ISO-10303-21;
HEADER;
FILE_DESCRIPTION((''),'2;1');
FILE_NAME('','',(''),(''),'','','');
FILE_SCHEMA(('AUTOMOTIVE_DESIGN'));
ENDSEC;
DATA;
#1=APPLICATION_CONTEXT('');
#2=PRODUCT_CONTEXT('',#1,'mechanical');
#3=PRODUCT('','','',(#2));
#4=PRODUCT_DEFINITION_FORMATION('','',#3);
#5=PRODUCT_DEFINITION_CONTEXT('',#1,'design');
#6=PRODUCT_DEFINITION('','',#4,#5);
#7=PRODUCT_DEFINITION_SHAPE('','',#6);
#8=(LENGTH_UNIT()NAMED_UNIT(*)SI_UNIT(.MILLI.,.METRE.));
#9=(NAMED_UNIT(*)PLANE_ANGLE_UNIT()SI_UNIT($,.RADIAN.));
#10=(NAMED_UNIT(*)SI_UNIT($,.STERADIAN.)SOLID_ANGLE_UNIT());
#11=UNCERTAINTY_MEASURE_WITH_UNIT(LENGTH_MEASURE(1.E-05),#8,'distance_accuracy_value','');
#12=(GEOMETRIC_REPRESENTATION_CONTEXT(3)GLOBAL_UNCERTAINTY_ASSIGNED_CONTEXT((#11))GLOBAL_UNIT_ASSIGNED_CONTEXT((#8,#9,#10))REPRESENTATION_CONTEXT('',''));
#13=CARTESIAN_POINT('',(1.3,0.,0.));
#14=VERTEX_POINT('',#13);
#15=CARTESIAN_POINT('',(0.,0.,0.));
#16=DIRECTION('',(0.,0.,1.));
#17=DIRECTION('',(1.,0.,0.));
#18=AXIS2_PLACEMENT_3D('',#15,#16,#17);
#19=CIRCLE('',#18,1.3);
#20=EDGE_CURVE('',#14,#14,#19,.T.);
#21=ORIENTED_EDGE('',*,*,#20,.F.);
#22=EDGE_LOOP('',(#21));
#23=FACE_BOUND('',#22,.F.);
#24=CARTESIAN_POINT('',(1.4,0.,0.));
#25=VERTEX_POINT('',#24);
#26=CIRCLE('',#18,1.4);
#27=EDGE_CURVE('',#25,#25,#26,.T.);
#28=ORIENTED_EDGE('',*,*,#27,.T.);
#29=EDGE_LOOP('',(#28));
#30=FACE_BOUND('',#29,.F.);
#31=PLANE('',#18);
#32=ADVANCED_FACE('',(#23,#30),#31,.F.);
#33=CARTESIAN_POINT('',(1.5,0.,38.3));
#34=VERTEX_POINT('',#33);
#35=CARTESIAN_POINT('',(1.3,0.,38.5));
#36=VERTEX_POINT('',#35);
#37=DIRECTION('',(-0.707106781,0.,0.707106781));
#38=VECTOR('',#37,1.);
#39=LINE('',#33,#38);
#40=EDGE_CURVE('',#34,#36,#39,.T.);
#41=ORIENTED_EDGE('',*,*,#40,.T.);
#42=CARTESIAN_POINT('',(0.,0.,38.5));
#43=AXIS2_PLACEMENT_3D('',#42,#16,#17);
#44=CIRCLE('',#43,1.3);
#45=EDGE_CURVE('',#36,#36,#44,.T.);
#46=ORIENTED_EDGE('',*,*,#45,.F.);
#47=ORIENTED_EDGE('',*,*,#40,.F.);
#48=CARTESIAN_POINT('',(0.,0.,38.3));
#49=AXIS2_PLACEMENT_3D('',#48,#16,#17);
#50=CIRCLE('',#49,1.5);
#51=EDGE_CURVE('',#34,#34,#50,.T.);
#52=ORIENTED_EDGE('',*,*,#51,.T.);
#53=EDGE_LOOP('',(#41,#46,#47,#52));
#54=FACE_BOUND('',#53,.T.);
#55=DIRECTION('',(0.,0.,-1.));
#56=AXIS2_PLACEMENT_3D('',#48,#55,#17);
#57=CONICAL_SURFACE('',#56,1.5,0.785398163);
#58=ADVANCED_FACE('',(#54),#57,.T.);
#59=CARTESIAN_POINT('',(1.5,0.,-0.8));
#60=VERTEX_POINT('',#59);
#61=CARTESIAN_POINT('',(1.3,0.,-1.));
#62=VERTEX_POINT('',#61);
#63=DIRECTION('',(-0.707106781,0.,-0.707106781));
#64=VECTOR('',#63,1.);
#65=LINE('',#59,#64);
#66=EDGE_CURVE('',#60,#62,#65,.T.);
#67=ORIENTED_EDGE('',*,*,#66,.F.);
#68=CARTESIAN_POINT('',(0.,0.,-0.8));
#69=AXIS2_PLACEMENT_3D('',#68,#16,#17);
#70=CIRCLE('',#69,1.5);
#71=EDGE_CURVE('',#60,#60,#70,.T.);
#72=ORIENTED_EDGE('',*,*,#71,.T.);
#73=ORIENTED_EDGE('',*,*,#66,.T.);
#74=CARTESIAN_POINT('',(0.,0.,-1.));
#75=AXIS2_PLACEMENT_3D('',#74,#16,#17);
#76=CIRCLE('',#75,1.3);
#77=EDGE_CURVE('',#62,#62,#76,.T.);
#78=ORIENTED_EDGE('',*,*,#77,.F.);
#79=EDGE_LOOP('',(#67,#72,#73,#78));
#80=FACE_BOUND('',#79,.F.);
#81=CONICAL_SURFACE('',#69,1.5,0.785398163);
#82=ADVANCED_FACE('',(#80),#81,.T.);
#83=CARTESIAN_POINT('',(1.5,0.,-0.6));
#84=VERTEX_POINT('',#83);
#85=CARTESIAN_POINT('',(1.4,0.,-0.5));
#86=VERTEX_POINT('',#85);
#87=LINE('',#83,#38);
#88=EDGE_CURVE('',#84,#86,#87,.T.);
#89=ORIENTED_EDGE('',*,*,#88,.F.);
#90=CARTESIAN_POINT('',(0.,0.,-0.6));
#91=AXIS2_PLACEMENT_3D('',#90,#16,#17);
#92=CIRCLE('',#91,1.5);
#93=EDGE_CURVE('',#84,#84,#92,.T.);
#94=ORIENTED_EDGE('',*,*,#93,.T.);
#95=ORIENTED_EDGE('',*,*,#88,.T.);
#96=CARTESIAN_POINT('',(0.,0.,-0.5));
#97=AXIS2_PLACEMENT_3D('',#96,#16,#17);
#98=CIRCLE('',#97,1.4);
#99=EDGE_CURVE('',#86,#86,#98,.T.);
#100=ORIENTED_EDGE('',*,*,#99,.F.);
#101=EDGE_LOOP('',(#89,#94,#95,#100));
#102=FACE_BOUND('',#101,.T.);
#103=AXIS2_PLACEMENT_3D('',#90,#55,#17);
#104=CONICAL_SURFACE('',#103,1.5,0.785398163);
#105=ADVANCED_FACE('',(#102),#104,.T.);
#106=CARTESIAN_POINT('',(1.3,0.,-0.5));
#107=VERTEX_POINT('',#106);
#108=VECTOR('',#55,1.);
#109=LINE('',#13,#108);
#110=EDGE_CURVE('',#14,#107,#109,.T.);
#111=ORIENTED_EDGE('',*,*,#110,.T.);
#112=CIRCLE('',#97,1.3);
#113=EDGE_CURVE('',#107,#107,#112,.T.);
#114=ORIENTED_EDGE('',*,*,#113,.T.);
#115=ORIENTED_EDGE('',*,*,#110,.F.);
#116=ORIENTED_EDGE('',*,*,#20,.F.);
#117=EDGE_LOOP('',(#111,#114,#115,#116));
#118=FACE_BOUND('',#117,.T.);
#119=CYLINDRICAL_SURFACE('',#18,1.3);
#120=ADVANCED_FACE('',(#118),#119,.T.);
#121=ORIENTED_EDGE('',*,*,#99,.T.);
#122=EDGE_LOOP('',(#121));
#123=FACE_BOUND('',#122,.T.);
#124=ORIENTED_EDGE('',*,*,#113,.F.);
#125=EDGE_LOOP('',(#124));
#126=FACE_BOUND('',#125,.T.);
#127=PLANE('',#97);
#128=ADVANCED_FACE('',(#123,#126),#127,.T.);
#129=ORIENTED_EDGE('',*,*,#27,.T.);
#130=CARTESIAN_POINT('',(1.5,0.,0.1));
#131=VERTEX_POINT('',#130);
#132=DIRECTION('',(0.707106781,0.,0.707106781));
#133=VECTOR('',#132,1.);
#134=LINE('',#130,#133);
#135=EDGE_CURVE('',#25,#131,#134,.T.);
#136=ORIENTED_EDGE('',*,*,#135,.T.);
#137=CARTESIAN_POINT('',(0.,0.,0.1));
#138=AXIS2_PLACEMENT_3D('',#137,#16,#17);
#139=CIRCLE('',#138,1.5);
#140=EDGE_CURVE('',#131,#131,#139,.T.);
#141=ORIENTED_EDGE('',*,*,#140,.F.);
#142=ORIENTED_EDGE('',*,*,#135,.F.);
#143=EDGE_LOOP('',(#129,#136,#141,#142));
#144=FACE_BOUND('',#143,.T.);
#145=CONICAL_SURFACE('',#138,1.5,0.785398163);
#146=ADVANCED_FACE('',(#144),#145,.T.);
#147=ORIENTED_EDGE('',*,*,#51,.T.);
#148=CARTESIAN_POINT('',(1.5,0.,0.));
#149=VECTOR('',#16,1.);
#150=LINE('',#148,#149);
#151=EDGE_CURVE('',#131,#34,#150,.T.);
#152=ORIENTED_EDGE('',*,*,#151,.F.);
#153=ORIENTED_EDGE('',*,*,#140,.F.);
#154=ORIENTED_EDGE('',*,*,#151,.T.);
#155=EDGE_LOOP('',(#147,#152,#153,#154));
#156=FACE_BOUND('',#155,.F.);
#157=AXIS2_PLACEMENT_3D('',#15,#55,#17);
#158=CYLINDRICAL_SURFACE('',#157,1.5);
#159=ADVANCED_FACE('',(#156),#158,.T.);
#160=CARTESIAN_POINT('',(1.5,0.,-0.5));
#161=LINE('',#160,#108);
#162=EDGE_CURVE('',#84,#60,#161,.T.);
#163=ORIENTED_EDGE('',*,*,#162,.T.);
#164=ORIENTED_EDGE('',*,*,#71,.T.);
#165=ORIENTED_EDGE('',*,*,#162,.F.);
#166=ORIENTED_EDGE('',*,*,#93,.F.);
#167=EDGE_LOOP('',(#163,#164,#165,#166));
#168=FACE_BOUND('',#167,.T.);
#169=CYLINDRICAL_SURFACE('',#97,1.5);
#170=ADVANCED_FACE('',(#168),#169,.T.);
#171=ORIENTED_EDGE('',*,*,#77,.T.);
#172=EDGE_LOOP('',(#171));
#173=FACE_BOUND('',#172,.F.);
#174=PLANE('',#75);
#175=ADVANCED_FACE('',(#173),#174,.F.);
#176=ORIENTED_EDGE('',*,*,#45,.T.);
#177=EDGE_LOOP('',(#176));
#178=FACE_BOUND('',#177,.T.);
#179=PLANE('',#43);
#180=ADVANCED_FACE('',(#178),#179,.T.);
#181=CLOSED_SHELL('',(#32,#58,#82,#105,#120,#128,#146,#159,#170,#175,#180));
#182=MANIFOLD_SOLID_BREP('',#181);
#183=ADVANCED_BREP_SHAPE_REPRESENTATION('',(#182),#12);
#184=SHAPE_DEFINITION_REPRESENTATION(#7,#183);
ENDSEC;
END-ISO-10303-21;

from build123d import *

# Parameters (mm, degrees)
F0_R     = 1.5
F0_R_2   = 1.3
F1_DEPTH = 38.5
F2_DEPTH = 1
F3_START = -0.5
F3_DEPTH = 0.5
F4_SIZE  = 0.2
F5_SIZE  = 0.1


with BuildPart() as f1:
    # F0 (on Top) → F1 (new body)
    with BuildSketch(Plane.XY):
        Circle(F0_R)
        Circle(F0_R_2, mode=Mode.SUBTRACT)
        Circle(F0_R_2)
    extrude(amount=F1_DEPTH)

    # F0 (on Top) → F2 (join)
    with BuildSketch(Plane.XY):
        Circle(F0_R_2)
    extrude(amount=-F2_DEPTH)

    # F0 (on Top) → F3 (join)
    with BuildSketch(Plane.XY.offset(F3_START)):
        Circle(F0_R)
        Circle(F0_R_2, mode=Mode.SUBTRACT)
    extrude(amount=-F3_DEPTH)

    # F4
    f4_edges = [f1.edges().sort_by_distance(p)[0] for p in [
        (-1.5, 0, -1),
        (-1.5, 0, 38.5),
    ]]
    chamfer(f4_edges, length=F4_SIZE)

    # F5
    f5_edges = [f1.edges().sort_by_distance(p)[0] for p in [
        (-1.5, 0, -0.5),
        (-1.5, 0, 0),
    ]]
    chamfer(f5_edges, length=F5_SIZE)


solid = f1.part
